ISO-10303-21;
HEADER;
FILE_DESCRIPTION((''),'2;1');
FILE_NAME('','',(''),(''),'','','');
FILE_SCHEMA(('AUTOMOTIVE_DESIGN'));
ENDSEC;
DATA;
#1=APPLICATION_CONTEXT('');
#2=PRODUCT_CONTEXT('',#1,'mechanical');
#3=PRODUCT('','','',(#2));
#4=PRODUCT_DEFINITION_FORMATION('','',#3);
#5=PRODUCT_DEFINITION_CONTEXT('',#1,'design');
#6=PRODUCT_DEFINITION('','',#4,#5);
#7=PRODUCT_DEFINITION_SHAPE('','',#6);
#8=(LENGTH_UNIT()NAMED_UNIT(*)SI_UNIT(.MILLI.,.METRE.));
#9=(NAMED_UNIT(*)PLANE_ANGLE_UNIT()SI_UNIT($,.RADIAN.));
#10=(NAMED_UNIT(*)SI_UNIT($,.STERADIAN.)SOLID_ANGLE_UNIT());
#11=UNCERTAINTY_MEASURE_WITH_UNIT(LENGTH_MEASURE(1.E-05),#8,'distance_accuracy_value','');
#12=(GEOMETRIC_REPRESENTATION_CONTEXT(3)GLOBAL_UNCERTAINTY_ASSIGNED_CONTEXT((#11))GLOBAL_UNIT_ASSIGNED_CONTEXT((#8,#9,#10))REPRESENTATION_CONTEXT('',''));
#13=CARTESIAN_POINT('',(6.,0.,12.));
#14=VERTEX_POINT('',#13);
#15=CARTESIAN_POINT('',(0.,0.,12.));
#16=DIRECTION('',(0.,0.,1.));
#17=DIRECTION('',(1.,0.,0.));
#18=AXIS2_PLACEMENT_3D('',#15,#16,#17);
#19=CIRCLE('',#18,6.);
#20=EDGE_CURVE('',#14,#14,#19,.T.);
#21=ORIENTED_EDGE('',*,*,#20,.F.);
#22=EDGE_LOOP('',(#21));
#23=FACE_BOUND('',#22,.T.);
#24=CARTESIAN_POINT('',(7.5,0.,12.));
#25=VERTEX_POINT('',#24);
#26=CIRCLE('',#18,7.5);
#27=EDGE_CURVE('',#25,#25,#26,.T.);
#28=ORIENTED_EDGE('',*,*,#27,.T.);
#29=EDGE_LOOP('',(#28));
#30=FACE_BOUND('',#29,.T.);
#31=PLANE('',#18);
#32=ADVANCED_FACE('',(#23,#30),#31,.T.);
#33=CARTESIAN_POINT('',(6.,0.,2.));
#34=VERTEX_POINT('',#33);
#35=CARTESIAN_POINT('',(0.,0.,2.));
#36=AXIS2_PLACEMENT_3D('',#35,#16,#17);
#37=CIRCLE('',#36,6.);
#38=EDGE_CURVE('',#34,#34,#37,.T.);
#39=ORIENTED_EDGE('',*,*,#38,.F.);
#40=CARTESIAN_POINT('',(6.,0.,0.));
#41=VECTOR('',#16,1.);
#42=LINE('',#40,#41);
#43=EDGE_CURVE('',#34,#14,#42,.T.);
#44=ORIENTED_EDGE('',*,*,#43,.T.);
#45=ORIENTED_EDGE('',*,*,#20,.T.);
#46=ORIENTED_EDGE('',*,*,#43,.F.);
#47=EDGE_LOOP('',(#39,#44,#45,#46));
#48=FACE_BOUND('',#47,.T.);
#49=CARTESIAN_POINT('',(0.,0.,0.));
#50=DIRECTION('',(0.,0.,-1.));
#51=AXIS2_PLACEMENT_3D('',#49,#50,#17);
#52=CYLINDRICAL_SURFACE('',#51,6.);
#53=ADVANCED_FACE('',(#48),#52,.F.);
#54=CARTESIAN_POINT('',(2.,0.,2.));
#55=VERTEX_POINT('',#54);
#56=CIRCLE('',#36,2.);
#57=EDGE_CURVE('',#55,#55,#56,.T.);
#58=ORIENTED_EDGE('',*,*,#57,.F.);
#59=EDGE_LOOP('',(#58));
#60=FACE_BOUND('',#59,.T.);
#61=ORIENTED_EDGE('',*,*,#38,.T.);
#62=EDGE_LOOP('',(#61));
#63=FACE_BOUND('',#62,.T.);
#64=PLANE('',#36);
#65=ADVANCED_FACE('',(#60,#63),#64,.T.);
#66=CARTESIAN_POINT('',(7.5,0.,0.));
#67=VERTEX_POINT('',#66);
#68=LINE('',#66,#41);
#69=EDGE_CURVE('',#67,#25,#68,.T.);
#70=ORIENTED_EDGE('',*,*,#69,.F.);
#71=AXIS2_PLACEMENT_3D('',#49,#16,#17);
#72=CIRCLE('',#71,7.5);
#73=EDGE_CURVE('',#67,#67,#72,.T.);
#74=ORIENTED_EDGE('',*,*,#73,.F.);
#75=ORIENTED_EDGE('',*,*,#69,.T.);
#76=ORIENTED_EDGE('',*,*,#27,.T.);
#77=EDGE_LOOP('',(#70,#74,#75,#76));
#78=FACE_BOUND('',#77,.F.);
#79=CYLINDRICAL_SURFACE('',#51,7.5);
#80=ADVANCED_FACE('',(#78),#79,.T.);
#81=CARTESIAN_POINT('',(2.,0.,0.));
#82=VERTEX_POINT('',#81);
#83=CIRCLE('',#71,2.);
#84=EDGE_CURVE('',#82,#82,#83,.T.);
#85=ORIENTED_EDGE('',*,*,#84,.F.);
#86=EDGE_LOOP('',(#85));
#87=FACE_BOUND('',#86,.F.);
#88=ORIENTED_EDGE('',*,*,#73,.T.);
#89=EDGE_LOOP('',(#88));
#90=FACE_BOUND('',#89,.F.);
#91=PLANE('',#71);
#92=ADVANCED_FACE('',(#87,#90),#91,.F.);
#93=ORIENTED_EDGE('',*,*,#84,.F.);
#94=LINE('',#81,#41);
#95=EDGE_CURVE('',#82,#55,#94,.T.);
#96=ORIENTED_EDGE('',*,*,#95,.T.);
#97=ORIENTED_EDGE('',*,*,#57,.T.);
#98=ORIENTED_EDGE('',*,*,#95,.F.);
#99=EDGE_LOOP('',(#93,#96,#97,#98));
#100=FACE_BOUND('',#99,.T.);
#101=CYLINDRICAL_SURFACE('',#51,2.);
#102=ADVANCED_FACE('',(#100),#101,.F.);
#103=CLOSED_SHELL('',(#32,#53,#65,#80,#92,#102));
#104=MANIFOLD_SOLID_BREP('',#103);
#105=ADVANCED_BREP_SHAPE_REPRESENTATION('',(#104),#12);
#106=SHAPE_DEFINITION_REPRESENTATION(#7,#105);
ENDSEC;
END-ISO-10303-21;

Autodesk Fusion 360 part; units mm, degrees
sketch "Sketch1" plane through (0, 0, 0) normal (0, 0, 1) x (1, 0, 0)
  circle A0 centre (0, 0) radius 7.5
  circle A1 centre (0, 0) radius 2
  circle A2 centre (0, 0) radius 6
  dimension "d1" = 15
  dimension "d2" = 4
  dimension "d3" = 12
extrude "Extrude1" add sketch "Sketch1" along normal blind 2 contours A2
extrude "Extrude2" add sketch "Sketch1" along normal blind 12 contours A0
